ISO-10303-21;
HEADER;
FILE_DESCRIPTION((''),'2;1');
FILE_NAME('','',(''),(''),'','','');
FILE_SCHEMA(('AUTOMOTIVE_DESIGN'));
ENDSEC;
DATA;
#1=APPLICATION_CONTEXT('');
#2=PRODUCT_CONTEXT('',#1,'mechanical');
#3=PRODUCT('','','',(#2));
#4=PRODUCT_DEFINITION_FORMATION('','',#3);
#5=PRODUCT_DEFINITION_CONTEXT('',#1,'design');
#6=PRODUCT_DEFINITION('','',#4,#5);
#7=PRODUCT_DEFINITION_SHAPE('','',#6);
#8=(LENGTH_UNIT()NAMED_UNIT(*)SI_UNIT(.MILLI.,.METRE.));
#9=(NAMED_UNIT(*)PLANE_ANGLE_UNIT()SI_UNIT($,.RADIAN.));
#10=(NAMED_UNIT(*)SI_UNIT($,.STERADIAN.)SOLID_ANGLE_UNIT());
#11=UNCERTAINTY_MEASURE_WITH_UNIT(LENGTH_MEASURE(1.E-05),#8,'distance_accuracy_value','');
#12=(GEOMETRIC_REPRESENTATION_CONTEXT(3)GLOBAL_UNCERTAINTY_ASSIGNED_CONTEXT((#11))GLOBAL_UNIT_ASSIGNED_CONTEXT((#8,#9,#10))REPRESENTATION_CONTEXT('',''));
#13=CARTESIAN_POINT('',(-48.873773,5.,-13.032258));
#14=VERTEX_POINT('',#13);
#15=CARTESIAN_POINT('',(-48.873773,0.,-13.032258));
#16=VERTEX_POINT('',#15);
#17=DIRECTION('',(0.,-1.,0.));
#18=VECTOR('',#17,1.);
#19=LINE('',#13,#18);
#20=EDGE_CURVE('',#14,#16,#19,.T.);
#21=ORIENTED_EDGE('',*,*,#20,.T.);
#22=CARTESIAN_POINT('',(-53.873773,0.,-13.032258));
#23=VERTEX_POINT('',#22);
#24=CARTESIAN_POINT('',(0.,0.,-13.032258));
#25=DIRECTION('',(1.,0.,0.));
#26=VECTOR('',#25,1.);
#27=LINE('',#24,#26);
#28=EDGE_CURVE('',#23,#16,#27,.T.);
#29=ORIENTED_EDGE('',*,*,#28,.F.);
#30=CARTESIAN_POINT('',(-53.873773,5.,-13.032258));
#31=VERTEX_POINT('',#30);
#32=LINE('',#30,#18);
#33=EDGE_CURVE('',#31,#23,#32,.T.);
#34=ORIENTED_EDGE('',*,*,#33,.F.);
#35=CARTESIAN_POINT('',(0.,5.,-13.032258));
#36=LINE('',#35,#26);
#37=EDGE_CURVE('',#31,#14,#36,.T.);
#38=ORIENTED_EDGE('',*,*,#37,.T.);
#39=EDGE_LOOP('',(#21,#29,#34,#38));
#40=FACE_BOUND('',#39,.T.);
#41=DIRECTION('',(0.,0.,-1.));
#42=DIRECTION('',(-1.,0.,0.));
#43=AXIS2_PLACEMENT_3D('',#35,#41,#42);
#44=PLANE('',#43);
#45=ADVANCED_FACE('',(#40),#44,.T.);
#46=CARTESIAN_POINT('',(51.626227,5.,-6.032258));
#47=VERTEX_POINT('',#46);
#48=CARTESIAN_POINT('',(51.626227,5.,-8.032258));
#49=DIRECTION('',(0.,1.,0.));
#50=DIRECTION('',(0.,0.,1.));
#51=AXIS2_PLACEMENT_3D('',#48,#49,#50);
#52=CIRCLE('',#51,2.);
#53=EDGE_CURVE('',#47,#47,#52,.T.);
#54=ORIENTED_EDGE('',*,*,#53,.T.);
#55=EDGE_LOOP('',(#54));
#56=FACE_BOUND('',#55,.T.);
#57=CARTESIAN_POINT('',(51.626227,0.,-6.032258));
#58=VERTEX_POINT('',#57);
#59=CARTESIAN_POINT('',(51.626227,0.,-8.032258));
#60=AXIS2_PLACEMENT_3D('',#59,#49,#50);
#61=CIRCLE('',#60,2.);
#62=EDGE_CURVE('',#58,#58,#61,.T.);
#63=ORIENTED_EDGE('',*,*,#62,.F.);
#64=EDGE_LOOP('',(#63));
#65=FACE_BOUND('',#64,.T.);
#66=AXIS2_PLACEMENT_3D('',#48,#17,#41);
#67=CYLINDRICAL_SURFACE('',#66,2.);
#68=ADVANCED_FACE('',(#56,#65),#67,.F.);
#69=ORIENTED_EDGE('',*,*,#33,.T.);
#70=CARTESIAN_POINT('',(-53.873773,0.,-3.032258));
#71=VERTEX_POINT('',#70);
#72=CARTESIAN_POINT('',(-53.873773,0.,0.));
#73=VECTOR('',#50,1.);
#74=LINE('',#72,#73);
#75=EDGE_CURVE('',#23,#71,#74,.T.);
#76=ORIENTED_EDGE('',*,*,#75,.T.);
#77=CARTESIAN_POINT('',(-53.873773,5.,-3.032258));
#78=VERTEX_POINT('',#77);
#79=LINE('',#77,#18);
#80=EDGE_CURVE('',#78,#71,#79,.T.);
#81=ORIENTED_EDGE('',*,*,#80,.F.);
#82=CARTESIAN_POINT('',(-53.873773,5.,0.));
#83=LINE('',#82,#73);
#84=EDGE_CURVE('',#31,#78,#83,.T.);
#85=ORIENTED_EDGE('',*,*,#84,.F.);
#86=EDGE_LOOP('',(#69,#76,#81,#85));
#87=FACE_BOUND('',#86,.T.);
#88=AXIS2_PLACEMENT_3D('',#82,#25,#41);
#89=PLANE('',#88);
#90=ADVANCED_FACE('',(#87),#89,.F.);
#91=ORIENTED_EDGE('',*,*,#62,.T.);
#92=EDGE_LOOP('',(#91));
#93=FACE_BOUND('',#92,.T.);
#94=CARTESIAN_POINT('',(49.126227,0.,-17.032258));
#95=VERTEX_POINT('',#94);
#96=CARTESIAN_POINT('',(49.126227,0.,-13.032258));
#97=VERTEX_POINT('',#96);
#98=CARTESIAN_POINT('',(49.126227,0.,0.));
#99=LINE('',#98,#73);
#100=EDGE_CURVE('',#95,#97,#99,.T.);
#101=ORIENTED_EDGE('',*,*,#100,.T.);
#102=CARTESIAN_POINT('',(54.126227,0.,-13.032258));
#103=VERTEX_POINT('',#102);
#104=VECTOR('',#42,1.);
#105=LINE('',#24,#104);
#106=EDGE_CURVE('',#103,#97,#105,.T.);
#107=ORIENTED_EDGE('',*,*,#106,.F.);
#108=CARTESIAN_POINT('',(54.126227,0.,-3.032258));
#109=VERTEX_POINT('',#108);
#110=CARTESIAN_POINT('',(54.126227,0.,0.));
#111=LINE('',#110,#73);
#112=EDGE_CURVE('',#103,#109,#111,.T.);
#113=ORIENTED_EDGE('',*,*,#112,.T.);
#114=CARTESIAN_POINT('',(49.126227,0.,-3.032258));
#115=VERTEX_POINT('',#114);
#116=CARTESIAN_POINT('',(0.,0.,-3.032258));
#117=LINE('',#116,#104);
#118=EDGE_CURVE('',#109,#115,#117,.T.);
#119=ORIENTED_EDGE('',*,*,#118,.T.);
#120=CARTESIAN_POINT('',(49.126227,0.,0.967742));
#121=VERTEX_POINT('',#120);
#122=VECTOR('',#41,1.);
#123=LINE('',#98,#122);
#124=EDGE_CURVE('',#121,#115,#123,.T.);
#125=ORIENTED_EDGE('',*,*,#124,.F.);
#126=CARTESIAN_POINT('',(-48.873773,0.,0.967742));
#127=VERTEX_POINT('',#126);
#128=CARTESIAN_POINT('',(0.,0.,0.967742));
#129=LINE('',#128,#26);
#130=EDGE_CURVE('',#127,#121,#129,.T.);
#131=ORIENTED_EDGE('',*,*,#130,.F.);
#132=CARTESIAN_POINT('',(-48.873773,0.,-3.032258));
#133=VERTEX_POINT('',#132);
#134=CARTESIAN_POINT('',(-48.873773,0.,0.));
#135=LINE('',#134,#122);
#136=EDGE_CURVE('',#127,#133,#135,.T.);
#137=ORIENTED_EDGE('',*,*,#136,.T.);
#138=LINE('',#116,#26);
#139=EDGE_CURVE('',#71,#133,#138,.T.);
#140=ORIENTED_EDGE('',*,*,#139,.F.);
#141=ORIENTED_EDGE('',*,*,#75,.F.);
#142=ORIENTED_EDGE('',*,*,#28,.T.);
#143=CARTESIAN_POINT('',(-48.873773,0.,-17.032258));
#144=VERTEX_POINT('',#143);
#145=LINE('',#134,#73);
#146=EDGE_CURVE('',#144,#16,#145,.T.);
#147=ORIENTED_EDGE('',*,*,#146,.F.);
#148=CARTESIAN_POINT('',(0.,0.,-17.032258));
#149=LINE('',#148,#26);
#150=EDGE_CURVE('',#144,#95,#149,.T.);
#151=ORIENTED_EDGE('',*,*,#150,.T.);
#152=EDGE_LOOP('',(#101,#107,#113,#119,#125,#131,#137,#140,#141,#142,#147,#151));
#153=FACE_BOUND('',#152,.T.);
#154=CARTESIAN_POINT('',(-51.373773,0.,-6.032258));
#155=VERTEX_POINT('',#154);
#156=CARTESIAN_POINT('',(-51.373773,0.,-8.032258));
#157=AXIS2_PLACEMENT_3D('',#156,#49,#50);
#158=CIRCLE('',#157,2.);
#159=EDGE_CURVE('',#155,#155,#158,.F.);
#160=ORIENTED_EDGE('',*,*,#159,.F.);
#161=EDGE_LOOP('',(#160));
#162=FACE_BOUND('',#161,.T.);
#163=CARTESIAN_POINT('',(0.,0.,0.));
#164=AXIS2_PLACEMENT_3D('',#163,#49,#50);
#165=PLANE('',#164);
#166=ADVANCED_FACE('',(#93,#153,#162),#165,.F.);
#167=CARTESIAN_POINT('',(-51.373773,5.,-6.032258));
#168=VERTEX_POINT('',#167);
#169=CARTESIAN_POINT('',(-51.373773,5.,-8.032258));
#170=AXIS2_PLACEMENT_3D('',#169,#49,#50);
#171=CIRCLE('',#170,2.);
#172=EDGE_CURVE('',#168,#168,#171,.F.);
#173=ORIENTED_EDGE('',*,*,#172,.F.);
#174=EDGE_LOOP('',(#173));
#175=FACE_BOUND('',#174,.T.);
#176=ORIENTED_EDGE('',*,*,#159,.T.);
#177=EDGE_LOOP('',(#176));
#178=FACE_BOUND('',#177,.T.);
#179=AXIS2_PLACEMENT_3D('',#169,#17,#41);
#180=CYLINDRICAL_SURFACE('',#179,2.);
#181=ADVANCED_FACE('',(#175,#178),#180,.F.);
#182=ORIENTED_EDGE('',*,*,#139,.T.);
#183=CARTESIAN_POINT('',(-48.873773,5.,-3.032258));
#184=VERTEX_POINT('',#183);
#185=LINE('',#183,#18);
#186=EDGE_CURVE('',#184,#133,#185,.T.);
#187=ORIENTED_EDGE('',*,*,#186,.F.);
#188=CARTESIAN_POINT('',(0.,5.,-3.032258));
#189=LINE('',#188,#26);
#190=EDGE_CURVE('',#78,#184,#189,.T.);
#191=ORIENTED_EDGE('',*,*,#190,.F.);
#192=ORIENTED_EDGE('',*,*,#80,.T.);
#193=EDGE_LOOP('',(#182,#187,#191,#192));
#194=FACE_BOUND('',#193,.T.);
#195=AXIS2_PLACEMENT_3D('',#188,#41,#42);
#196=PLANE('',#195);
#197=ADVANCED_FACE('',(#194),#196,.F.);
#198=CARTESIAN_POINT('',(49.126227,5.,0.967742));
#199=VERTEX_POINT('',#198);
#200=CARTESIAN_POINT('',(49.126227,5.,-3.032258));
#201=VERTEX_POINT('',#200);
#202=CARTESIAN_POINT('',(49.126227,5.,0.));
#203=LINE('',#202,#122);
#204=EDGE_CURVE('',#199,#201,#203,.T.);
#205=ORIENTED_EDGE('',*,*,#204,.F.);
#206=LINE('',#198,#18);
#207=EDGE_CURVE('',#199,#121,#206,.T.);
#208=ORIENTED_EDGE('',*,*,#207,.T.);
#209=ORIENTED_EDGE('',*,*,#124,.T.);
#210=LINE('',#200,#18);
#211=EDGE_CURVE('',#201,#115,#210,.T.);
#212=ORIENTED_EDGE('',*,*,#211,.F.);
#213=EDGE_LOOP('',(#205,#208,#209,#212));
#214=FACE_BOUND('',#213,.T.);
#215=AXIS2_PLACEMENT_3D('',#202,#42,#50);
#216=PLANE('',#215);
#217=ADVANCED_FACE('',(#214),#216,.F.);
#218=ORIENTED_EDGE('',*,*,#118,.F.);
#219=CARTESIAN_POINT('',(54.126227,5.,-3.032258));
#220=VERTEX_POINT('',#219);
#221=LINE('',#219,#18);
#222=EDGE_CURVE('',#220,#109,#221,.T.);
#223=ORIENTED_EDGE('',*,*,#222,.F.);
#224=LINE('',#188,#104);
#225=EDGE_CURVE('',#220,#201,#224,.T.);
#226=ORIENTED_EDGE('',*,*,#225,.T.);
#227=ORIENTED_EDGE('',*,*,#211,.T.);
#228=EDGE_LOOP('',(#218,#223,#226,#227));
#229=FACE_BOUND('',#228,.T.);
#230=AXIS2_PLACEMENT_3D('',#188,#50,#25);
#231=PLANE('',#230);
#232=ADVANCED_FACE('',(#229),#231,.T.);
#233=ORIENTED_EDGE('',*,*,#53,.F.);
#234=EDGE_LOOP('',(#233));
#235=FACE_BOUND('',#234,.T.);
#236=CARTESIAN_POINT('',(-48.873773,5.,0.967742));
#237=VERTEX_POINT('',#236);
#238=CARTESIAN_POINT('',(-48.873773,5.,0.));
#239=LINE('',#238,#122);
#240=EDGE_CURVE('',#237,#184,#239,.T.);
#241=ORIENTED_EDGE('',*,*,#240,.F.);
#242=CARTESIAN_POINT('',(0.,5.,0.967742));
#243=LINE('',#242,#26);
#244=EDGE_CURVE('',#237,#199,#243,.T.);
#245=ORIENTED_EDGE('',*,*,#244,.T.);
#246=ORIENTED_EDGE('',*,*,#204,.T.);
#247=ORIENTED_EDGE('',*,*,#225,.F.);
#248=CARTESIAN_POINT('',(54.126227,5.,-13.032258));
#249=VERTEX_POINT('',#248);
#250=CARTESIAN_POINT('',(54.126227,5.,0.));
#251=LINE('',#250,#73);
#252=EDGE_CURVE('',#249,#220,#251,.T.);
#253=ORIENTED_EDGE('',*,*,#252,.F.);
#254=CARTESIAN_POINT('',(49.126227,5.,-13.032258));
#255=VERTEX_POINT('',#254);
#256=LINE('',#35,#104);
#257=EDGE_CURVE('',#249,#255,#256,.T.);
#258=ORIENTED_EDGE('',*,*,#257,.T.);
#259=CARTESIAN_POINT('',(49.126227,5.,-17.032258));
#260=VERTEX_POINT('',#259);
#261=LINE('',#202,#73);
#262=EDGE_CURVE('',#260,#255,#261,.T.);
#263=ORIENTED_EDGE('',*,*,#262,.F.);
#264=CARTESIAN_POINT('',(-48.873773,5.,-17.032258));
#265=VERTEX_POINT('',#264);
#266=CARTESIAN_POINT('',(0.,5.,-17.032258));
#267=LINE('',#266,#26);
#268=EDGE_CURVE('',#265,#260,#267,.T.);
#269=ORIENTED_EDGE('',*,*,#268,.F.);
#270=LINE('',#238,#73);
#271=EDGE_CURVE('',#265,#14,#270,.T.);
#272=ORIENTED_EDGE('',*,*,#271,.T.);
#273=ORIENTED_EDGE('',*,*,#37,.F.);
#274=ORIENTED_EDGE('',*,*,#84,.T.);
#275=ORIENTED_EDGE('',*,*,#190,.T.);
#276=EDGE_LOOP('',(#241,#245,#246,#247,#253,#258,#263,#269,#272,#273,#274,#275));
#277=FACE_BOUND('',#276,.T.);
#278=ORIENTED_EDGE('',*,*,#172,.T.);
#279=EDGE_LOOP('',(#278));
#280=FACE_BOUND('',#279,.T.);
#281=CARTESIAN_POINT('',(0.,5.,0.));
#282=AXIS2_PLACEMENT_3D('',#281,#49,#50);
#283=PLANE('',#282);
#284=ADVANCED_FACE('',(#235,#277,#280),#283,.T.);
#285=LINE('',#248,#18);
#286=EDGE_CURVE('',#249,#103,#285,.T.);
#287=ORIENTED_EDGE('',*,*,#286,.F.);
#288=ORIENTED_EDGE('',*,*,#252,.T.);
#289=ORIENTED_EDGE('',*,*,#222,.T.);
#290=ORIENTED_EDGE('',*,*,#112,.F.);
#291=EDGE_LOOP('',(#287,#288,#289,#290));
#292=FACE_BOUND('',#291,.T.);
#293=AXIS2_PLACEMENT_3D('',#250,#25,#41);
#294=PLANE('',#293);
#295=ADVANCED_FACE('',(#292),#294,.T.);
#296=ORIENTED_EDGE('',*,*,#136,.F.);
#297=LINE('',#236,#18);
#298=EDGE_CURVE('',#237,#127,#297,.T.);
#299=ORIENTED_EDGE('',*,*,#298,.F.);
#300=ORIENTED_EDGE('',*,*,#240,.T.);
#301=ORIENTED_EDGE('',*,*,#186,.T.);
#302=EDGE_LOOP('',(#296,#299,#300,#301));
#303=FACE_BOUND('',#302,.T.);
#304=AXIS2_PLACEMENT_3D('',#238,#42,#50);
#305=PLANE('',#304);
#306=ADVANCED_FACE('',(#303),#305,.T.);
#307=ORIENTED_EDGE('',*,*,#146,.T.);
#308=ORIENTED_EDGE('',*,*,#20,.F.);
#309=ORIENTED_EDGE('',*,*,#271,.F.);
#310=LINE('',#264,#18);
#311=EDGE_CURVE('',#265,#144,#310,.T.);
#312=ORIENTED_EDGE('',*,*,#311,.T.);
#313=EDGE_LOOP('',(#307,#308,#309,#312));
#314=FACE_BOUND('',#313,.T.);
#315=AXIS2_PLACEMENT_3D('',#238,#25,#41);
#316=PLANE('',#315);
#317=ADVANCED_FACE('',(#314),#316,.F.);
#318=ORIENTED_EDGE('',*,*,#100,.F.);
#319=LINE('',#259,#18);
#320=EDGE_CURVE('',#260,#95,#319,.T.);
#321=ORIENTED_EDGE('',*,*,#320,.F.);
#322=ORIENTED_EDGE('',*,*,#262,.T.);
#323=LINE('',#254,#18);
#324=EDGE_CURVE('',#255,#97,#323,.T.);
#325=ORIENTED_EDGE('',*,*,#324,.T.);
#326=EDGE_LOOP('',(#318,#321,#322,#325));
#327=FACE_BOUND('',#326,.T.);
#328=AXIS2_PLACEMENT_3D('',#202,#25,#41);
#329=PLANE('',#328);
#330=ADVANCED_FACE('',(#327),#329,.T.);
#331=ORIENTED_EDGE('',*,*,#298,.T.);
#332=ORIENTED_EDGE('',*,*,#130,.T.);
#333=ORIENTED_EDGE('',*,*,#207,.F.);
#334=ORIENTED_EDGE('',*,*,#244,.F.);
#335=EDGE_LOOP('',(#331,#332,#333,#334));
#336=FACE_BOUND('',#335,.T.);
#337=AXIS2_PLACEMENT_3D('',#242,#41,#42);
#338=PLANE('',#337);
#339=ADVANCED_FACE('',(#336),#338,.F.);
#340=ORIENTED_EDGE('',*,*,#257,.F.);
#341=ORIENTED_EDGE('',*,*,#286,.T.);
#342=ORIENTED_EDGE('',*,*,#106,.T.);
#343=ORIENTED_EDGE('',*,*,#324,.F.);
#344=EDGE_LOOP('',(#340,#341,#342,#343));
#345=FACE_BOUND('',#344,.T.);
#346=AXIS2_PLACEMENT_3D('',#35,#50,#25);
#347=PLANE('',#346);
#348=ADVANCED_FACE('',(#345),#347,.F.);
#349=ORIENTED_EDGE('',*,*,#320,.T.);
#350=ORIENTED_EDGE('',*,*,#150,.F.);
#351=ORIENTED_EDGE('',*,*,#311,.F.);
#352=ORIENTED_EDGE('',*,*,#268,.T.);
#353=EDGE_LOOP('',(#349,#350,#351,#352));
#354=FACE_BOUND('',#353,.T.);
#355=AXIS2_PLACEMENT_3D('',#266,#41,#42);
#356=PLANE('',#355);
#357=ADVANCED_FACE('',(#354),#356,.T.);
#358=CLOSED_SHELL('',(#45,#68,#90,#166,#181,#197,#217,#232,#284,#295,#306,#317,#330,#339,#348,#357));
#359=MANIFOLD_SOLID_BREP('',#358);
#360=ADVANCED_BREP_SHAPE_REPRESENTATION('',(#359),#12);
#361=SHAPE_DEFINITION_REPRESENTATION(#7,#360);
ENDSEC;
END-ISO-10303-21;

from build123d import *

# Parameters (mm, degrees)
SKETCH1_R           = 2
BOSS_EXTRUDE1_DEPTH = 5


with BuildPart() as part:
    # Sketch1 → Boss-Extrude1 (new body)
    with BuildSketch(Plane(origin=(0, 0, 0), x_dir=(1, 0, 0), z_dir=(0, 1, 0))):
        Polygon((-48.873772791, 17.032258065), (49.126227209, 17.032258065), (49.126227209, 13.032258065), (54.126227209, 13.032258065), (54.126227209, 3.032258065), (49.126227209, 3.032258065), (49.126227209, -0.967741935), (-48.873772791, -0.967741935), (-48.873772791, 3.032258065), (-53.873772791, 3.032258065), (-53.873772791, 13.032258065), (-48.873772791, 13.032258065), align=None)
        with Locations(Location((51.626227209, 8.032258065, 0), (0, 0, 270))):
            Circle(SKETCH1_R, mode=Mode.SUBTRACT)
        with Locations(Location((-51.373772791, 8.032258065, 0), (0, 0, 270))):
            Circle(SKETCH1_R, mode=Mode.SUBTRACT)
    extrude(amount=BOSS_EXTRUDE1_DEPTH)


solid = part.part
